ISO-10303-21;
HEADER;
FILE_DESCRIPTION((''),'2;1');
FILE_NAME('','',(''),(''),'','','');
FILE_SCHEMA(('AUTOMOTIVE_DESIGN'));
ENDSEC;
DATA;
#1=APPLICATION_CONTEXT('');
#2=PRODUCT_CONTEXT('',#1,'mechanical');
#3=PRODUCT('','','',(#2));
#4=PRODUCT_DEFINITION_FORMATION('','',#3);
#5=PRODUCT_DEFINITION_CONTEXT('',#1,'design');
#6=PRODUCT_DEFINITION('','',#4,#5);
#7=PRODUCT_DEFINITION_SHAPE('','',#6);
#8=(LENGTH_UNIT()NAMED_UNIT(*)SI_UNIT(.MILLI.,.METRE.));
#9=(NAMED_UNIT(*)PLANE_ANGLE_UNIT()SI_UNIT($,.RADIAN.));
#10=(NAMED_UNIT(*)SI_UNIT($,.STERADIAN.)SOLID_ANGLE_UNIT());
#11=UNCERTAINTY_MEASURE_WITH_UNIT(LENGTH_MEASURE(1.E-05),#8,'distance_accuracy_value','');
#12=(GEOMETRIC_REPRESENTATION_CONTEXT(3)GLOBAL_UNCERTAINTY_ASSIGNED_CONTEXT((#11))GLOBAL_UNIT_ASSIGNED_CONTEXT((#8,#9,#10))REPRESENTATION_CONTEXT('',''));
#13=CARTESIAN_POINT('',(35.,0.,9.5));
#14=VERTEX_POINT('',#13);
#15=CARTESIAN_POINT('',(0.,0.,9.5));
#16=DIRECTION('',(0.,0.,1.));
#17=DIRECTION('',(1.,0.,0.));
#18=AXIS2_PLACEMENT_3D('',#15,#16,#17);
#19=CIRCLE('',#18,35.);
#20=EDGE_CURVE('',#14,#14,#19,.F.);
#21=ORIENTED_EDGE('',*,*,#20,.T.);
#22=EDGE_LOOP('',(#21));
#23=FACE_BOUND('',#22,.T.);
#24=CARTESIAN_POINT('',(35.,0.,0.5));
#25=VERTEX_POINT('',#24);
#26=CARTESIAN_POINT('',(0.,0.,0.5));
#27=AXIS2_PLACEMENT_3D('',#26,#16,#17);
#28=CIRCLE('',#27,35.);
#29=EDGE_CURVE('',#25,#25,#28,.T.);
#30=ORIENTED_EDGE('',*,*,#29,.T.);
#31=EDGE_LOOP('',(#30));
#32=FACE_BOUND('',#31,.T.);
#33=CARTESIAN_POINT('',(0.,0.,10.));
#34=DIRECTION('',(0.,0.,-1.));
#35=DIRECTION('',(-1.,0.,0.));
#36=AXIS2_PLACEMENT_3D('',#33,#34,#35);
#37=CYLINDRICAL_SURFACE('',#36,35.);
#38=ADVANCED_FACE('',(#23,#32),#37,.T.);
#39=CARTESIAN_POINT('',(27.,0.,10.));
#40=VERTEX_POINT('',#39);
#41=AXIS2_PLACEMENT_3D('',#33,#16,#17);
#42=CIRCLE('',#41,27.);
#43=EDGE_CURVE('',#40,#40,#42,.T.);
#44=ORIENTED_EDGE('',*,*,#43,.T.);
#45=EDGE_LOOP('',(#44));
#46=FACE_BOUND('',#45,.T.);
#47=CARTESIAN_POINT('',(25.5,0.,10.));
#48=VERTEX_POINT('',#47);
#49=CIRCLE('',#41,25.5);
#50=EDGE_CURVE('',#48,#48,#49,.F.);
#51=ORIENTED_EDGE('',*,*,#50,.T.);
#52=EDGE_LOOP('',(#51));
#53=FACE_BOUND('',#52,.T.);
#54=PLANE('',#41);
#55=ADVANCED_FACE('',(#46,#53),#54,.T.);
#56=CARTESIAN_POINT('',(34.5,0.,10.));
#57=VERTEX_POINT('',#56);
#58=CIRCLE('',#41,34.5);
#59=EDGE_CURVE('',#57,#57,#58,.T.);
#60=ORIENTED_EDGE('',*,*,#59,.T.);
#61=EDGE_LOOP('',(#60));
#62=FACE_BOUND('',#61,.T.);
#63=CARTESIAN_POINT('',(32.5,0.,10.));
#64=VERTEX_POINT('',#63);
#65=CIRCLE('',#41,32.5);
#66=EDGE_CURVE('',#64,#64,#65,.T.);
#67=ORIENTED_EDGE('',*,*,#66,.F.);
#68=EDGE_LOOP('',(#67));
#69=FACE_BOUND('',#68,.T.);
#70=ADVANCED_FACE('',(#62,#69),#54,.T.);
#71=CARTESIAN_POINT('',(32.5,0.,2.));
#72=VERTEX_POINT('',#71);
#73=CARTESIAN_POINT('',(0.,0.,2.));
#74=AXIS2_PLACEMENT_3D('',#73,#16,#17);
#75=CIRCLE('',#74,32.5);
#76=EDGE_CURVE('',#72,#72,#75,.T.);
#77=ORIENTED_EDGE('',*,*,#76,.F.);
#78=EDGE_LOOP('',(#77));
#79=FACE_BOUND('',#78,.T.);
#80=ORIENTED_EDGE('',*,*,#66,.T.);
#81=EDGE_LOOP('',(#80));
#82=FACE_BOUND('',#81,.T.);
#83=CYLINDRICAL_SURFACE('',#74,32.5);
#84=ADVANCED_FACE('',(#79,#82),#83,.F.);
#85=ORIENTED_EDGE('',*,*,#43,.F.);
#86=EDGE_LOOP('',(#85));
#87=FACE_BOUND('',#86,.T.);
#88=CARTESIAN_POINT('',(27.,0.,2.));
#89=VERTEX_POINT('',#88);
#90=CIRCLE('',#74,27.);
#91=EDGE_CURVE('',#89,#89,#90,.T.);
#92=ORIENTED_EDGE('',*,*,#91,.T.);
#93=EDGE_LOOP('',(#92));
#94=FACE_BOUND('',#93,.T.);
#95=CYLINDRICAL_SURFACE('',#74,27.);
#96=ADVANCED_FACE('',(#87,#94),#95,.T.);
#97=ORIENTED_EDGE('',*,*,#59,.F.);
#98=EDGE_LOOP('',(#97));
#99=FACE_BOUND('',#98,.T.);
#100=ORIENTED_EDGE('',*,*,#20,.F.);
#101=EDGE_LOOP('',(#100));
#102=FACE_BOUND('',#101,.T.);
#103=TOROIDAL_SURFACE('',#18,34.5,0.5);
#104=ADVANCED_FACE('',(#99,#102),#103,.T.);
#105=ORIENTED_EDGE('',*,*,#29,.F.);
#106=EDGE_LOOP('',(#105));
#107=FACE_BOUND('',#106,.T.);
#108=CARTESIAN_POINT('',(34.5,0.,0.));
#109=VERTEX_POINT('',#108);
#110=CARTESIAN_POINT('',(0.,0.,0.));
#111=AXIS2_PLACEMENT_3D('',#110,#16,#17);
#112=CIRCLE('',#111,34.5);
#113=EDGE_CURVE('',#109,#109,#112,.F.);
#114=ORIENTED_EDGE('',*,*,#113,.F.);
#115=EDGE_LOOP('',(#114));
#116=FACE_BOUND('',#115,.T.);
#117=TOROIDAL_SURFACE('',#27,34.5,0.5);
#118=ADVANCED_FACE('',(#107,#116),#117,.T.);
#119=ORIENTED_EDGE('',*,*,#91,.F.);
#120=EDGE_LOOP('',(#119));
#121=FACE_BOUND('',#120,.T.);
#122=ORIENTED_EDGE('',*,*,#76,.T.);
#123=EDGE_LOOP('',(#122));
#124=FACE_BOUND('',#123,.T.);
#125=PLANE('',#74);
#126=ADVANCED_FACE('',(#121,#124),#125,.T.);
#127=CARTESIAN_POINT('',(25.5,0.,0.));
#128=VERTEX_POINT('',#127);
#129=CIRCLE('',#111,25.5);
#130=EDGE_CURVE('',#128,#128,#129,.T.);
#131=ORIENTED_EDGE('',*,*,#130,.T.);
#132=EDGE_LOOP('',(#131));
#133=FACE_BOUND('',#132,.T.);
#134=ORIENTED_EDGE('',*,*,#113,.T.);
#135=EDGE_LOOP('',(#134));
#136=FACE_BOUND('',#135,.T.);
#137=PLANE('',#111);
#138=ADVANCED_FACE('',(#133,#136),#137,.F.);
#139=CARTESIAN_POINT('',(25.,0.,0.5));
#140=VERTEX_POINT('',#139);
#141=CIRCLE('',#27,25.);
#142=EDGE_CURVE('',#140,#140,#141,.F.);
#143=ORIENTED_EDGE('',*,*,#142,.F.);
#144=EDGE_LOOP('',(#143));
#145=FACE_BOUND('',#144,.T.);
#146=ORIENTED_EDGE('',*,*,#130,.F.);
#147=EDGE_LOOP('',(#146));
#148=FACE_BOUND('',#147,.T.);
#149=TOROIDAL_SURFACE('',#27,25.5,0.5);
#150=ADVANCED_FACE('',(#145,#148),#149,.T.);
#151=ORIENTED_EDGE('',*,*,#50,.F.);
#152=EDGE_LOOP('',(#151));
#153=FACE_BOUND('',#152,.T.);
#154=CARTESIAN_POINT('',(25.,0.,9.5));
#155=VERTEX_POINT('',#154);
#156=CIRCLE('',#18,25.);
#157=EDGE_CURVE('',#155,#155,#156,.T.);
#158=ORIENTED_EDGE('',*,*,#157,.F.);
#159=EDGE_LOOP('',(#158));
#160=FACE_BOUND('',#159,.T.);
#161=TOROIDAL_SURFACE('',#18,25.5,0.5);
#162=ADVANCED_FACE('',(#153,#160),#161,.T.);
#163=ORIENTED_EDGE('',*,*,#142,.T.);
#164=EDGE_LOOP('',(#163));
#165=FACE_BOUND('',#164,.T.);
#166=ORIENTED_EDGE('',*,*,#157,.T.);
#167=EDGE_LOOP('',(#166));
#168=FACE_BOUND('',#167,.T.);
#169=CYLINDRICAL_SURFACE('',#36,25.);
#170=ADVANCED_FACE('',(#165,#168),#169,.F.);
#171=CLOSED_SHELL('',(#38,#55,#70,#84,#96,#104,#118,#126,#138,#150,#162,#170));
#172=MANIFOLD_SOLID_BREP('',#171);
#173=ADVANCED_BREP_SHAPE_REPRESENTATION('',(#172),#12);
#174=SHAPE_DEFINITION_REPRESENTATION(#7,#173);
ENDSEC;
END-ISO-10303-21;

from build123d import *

# Parameters (mm, degrees)
SKETCH1_R           = 35
SKETCH1_R_2         = 25
BOSS_EXTRUDE1_DEPTH = 10
SKETCH2_R           = 32.5
SKETCH2_R_2         = 27
CUT_EXTRUDE1_DEPTH  = 8
FILLET1_R           = 0.5


with BuildPart() as part:
    # Sketch1 → Boss-Extrude1 (new body)
    with BuildSketch(Plane.XY):
        Circle(SKETCH1_R)
        Circle(SKETCH1_R_2, mode=Mode.SUBTRACT)
    extrude(amount=BOSS_EXTRUDE1_DEPTH)

    # Sketch2 → Cut-Extrude1 (cut)
    with BuildSketch(Plane.XY.offset(10)):
        Circle(SKETCH2_R)
        Circle(SKETCH2_R_2, mode=Mode.SUBTRACT)
    extrude(amount=-CUT_EXTRUDE1_DEPTH, mode=Mode.SUBTRACT)

    # Fillet1
    fillet1_edges = [part.edges().sort_by_distance(p)[0] for p in [
        (-35, 0, 0),
        (-35, 0, 10),
        (-25, 0, 0),
        (-25, 0, 10),
    ]]
    fillet(fillet1_edges, radius=FILLET1_R)


solid = part.part
